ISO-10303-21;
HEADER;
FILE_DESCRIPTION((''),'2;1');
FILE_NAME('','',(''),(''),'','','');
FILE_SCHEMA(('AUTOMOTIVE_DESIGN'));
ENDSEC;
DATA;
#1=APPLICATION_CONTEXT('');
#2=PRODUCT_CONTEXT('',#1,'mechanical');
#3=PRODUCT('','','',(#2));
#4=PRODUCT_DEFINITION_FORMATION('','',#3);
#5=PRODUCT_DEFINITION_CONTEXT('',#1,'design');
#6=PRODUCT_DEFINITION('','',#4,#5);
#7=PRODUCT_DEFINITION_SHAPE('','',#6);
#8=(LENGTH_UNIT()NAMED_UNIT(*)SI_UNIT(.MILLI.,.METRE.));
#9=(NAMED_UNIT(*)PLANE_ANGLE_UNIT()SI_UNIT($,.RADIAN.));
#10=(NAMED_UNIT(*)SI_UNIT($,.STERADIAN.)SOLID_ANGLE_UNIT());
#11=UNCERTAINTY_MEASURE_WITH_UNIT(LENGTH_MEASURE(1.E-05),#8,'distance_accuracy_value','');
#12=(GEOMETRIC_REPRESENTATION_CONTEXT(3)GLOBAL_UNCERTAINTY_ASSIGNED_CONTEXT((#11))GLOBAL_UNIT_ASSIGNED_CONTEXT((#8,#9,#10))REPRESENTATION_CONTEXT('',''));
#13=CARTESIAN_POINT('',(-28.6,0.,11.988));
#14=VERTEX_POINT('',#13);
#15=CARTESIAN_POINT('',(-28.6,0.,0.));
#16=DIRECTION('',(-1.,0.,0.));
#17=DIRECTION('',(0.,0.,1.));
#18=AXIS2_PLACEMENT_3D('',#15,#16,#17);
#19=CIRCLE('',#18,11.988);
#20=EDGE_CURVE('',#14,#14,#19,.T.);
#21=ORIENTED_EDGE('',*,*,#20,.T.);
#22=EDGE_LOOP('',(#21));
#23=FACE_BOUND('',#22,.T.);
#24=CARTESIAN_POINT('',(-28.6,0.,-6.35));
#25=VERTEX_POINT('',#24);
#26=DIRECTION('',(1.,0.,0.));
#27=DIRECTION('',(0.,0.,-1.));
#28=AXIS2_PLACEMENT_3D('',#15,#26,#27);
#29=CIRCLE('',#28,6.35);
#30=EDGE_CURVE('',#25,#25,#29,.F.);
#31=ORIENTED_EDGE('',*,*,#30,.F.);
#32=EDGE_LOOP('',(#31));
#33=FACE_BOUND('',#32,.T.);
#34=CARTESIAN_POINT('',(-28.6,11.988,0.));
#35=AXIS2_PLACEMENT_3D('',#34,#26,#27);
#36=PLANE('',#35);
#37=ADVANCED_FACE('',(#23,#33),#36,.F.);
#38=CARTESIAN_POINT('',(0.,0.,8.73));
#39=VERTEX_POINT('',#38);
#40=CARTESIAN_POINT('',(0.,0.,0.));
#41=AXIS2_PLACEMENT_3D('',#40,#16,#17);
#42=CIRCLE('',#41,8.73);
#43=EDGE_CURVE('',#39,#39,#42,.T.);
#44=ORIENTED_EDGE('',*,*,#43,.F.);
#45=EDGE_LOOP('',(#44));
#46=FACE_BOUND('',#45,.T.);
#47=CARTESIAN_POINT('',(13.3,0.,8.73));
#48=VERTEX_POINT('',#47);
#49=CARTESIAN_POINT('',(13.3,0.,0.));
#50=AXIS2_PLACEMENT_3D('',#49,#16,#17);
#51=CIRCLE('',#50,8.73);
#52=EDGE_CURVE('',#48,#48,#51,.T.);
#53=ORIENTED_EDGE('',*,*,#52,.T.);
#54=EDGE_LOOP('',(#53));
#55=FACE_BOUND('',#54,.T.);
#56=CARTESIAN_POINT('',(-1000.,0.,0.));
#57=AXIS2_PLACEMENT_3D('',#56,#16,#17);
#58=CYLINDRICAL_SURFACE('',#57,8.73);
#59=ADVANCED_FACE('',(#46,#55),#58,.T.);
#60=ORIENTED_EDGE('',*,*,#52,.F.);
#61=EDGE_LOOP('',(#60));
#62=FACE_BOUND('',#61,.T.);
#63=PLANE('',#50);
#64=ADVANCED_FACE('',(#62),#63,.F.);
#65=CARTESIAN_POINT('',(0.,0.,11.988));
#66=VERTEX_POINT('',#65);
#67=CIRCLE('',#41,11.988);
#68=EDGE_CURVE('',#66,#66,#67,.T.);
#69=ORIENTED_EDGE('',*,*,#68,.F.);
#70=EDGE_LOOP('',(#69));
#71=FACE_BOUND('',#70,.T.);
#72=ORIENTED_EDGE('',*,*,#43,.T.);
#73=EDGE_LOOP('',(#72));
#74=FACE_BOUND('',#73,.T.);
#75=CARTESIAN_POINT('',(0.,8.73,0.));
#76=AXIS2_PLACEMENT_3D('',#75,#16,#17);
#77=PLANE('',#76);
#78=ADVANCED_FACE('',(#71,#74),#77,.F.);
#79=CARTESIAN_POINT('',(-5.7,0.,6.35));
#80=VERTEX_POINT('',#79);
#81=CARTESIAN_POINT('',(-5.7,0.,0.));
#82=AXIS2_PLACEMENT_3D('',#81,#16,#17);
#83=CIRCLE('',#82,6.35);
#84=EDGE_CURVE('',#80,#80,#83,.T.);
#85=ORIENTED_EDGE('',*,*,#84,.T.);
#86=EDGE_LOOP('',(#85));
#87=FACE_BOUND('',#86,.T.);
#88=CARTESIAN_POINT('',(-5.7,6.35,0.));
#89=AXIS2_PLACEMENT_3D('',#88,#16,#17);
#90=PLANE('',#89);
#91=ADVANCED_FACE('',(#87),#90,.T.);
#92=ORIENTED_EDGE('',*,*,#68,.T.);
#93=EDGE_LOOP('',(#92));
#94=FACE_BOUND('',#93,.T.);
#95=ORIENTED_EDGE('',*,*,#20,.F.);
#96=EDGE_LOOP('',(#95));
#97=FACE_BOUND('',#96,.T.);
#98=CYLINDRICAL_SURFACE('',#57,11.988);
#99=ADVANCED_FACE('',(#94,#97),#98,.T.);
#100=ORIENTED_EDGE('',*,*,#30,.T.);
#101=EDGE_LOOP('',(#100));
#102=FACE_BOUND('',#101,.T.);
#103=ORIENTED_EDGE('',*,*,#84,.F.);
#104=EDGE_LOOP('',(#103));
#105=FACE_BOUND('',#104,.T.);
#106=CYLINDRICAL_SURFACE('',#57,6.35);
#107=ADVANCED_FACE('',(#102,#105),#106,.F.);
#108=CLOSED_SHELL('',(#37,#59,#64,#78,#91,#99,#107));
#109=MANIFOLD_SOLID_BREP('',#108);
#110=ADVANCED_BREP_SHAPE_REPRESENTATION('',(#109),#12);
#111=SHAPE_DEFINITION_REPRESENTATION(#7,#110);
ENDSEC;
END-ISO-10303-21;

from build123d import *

# Parameters (mm, degrees)
SOCKET_SKETCH_W = 23.9
SOCKET_SKETCH_H = 6.35


with BuildPart() as part:
    # Conn_T8_ORB8 Sketch → Conn_T8_ORB8 (revolve)
    with BuildSketch(Plane.XY):
        Polygon((13.3, 0), (13.3, 8.73), (0, 8.73), (0, 11.988), (-28.6, 11.988), (-28.6, 0), align=None)
    revolve(axis=Axis((-1000, 0, 0), (1, 0, 0)))

    # Socket Sketch → Socket (revolve, cut)
    with BuildSketch(Plane.XY):
        with Locations((-17.65, 3.175)):
            Rectangle(SOCKET_SKETCH_W, SOCKET_SKETCH_H)
    revolve(axis=Axis((-1000, 0, 0), (1, 0, 0)), mode=Mode.SUBTRACT)


solid = part.part
